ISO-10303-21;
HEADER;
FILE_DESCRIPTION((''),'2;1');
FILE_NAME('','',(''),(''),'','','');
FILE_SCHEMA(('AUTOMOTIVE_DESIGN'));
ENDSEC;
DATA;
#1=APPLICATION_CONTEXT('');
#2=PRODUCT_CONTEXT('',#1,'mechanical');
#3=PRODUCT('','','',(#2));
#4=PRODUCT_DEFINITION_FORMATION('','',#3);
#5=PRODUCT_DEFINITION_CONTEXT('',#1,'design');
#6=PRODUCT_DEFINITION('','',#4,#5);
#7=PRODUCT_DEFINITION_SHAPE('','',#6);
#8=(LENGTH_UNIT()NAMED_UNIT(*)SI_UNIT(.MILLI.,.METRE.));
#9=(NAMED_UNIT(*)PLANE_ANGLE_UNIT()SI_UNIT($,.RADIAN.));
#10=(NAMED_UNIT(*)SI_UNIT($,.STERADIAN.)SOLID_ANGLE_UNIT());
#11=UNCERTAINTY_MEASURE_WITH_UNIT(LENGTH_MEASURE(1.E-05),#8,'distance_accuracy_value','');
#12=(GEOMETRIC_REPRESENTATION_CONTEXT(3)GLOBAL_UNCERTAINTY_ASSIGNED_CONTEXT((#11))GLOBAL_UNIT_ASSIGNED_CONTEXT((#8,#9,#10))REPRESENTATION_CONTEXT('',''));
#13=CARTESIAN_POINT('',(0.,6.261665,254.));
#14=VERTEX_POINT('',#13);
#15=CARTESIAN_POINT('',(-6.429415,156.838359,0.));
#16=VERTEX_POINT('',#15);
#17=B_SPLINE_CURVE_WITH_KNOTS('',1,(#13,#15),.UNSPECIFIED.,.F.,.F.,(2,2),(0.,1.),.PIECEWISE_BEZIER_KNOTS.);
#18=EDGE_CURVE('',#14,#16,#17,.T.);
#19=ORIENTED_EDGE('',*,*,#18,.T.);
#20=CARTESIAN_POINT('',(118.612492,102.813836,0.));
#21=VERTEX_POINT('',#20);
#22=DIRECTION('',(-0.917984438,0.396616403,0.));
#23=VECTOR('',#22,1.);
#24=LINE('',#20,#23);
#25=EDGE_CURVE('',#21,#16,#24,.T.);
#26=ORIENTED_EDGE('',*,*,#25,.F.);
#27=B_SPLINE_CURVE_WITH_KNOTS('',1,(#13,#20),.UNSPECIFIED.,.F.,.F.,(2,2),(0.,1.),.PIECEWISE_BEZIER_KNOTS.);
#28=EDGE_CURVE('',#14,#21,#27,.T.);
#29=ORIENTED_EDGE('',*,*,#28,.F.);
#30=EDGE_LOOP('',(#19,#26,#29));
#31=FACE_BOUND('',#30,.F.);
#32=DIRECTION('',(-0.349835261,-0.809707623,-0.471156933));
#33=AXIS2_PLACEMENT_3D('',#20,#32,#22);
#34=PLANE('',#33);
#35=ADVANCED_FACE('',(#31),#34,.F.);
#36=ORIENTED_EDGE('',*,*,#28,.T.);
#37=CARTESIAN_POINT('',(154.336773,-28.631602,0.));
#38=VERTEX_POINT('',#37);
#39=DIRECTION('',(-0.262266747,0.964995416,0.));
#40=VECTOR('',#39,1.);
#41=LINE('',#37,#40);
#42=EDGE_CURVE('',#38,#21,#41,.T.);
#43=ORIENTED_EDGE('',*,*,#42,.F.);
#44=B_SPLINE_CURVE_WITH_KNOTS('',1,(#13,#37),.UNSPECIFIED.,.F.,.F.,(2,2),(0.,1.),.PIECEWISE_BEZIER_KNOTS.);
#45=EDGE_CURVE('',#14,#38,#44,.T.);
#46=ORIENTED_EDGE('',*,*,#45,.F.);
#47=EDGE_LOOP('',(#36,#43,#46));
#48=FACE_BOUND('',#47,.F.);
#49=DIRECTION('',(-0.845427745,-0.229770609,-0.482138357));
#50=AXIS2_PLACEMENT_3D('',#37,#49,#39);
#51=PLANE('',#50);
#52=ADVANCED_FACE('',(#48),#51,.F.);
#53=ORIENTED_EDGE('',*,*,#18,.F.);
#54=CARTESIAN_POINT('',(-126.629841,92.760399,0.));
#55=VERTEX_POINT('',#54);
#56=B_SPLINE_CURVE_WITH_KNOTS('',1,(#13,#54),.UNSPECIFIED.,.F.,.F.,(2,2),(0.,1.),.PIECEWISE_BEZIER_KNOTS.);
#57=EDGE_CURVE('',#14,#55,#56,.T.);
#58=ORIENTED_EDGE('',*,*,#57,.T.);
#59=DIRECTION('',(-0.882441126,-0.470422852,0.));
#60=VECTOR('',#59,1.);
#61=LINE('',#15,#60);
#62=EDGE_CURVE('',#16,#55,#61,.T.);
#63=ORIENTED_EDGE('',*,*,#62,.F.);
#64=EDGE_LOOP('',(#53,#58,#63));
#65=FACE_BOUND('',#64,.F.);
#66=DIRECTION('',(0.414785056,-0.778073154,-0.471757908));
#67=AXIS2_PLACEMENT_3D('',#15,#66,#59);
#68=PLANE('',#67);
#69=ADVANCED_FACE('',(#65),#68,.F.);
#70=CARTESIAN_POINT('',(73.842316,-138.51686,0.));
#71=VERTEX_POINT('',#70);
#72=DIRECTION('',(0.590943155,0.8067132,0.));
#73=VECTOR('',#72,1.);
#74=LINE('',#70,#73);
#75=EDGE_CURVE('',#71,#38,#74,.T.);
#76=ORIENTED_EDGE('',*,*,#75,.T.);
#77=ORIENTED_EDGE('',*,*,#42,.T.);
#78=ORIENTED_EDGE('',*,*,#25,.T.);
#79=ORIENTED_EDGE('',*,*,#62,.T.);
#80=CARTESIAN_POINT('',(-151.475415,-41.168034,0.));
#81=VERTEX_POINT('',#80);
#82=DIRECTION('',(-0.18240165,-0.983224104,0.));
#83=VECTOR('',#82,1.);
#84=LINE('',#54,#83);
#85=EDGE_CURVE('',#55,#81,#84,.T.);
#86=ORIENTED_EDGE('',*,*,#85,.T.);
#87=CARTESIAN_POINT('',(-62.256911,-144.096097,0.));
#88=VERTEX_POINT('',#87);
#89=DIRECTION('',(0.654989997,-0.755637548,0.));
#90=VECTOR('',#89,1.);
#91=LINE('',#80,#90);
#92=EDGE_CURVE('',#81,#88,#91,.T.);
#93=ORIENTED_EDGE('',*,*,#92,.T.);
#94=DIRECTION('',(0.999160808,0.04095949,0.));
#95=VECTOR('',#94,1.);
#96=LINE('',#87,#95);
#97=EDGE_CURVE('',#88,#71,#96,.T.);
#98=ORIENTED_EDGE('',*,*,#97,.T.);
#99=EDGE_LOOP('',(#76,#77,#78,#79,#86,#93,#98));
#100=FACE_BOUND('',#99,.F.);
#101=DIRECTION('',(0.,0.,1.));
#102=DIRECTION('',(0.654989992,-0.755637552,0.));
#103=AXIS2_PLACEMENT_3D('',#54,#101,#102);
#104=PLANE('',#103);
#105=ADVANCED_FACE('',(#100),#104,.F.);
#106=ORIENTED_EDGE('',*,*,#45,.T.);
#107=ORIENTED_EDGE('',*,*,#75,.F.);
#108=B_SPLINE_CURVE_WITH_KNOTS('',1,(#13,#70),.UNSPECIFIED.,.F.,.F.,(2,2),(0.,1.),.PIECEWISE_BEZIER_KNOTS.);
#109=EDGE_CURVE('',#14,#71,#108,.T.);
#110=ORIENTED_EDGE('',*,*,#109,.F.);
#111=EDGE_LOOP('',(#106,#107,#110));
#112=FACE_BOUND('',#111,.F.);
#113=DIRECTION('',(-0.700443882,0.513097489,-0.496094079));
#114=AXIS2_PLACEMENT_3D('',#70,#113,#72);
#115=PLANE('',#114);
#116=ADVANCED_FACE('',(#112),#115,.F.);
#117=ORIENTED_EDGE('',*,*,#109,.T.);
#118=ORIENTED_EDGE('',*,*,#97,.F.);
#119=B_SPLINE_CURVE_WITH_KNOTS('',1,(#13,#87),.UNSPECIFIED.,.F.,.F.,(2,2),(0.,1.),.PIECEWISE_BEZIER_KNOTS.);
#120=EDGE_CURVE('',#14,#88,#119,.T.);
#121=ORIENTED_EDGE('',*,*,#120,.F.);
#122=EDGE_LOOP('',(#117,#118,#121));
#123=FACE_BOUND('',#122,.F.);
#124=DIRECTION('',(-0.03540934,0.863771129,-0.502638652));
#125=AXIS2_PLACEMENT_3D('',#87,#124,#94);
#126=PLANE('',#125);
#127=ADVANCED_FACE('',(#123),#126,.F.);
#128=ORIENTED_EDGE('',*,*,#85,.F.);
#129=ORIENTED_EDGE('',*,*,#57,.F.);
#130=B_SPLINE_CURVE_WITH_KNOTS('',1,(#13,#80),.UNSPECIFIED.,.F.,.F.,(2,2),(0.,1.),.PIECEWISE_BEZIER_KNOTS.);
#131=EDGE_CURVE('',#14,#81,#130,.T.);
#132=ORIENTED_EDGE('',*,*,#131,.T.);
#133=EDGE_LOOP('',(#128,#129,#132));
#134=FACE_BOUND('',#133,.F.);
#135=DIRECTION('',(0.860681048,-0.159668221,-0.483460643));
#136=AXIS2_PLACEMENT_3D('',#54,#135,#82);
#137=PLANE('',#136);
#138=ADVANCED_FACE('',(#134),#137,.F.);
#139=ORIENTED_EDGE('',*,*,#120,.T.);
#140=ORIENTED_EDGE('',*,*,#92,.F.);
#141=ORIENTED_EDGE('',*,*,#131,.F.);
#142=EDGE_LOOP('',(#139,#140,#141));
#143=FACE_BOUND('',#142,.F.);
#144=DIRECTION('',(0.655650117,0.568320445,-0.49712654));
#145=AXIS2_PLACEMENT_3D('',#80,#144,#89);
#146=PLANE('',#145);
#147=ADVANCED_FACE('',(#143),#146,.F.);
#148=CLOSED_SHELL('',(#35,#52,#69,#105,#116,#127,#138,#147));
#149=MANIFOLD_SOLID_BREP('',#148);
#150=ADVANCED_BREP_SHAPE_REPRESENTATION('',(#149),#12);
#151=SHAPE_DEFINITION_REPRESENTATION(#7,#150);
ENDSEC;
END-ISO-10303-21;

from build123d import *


with BuildPart() as f3:
    # F0 (on Top) → F3 section 0
    with BuildSketch(Plane.XY, mode=Mode.PRIVATE) as f3_s0:
        Polygon((-126.629841, 92.760399), (-151.475415, -41.168034), (-62.256911, -144.096097), (73.842316, -138.51686), (154.336773, -28.631602), (118.612492, 102.813836), (-6.429415, 156.838359), align=None)
    loft([Vertex(0, 6.261665, 254), f3_s0.sketch])


solid = f3.part
